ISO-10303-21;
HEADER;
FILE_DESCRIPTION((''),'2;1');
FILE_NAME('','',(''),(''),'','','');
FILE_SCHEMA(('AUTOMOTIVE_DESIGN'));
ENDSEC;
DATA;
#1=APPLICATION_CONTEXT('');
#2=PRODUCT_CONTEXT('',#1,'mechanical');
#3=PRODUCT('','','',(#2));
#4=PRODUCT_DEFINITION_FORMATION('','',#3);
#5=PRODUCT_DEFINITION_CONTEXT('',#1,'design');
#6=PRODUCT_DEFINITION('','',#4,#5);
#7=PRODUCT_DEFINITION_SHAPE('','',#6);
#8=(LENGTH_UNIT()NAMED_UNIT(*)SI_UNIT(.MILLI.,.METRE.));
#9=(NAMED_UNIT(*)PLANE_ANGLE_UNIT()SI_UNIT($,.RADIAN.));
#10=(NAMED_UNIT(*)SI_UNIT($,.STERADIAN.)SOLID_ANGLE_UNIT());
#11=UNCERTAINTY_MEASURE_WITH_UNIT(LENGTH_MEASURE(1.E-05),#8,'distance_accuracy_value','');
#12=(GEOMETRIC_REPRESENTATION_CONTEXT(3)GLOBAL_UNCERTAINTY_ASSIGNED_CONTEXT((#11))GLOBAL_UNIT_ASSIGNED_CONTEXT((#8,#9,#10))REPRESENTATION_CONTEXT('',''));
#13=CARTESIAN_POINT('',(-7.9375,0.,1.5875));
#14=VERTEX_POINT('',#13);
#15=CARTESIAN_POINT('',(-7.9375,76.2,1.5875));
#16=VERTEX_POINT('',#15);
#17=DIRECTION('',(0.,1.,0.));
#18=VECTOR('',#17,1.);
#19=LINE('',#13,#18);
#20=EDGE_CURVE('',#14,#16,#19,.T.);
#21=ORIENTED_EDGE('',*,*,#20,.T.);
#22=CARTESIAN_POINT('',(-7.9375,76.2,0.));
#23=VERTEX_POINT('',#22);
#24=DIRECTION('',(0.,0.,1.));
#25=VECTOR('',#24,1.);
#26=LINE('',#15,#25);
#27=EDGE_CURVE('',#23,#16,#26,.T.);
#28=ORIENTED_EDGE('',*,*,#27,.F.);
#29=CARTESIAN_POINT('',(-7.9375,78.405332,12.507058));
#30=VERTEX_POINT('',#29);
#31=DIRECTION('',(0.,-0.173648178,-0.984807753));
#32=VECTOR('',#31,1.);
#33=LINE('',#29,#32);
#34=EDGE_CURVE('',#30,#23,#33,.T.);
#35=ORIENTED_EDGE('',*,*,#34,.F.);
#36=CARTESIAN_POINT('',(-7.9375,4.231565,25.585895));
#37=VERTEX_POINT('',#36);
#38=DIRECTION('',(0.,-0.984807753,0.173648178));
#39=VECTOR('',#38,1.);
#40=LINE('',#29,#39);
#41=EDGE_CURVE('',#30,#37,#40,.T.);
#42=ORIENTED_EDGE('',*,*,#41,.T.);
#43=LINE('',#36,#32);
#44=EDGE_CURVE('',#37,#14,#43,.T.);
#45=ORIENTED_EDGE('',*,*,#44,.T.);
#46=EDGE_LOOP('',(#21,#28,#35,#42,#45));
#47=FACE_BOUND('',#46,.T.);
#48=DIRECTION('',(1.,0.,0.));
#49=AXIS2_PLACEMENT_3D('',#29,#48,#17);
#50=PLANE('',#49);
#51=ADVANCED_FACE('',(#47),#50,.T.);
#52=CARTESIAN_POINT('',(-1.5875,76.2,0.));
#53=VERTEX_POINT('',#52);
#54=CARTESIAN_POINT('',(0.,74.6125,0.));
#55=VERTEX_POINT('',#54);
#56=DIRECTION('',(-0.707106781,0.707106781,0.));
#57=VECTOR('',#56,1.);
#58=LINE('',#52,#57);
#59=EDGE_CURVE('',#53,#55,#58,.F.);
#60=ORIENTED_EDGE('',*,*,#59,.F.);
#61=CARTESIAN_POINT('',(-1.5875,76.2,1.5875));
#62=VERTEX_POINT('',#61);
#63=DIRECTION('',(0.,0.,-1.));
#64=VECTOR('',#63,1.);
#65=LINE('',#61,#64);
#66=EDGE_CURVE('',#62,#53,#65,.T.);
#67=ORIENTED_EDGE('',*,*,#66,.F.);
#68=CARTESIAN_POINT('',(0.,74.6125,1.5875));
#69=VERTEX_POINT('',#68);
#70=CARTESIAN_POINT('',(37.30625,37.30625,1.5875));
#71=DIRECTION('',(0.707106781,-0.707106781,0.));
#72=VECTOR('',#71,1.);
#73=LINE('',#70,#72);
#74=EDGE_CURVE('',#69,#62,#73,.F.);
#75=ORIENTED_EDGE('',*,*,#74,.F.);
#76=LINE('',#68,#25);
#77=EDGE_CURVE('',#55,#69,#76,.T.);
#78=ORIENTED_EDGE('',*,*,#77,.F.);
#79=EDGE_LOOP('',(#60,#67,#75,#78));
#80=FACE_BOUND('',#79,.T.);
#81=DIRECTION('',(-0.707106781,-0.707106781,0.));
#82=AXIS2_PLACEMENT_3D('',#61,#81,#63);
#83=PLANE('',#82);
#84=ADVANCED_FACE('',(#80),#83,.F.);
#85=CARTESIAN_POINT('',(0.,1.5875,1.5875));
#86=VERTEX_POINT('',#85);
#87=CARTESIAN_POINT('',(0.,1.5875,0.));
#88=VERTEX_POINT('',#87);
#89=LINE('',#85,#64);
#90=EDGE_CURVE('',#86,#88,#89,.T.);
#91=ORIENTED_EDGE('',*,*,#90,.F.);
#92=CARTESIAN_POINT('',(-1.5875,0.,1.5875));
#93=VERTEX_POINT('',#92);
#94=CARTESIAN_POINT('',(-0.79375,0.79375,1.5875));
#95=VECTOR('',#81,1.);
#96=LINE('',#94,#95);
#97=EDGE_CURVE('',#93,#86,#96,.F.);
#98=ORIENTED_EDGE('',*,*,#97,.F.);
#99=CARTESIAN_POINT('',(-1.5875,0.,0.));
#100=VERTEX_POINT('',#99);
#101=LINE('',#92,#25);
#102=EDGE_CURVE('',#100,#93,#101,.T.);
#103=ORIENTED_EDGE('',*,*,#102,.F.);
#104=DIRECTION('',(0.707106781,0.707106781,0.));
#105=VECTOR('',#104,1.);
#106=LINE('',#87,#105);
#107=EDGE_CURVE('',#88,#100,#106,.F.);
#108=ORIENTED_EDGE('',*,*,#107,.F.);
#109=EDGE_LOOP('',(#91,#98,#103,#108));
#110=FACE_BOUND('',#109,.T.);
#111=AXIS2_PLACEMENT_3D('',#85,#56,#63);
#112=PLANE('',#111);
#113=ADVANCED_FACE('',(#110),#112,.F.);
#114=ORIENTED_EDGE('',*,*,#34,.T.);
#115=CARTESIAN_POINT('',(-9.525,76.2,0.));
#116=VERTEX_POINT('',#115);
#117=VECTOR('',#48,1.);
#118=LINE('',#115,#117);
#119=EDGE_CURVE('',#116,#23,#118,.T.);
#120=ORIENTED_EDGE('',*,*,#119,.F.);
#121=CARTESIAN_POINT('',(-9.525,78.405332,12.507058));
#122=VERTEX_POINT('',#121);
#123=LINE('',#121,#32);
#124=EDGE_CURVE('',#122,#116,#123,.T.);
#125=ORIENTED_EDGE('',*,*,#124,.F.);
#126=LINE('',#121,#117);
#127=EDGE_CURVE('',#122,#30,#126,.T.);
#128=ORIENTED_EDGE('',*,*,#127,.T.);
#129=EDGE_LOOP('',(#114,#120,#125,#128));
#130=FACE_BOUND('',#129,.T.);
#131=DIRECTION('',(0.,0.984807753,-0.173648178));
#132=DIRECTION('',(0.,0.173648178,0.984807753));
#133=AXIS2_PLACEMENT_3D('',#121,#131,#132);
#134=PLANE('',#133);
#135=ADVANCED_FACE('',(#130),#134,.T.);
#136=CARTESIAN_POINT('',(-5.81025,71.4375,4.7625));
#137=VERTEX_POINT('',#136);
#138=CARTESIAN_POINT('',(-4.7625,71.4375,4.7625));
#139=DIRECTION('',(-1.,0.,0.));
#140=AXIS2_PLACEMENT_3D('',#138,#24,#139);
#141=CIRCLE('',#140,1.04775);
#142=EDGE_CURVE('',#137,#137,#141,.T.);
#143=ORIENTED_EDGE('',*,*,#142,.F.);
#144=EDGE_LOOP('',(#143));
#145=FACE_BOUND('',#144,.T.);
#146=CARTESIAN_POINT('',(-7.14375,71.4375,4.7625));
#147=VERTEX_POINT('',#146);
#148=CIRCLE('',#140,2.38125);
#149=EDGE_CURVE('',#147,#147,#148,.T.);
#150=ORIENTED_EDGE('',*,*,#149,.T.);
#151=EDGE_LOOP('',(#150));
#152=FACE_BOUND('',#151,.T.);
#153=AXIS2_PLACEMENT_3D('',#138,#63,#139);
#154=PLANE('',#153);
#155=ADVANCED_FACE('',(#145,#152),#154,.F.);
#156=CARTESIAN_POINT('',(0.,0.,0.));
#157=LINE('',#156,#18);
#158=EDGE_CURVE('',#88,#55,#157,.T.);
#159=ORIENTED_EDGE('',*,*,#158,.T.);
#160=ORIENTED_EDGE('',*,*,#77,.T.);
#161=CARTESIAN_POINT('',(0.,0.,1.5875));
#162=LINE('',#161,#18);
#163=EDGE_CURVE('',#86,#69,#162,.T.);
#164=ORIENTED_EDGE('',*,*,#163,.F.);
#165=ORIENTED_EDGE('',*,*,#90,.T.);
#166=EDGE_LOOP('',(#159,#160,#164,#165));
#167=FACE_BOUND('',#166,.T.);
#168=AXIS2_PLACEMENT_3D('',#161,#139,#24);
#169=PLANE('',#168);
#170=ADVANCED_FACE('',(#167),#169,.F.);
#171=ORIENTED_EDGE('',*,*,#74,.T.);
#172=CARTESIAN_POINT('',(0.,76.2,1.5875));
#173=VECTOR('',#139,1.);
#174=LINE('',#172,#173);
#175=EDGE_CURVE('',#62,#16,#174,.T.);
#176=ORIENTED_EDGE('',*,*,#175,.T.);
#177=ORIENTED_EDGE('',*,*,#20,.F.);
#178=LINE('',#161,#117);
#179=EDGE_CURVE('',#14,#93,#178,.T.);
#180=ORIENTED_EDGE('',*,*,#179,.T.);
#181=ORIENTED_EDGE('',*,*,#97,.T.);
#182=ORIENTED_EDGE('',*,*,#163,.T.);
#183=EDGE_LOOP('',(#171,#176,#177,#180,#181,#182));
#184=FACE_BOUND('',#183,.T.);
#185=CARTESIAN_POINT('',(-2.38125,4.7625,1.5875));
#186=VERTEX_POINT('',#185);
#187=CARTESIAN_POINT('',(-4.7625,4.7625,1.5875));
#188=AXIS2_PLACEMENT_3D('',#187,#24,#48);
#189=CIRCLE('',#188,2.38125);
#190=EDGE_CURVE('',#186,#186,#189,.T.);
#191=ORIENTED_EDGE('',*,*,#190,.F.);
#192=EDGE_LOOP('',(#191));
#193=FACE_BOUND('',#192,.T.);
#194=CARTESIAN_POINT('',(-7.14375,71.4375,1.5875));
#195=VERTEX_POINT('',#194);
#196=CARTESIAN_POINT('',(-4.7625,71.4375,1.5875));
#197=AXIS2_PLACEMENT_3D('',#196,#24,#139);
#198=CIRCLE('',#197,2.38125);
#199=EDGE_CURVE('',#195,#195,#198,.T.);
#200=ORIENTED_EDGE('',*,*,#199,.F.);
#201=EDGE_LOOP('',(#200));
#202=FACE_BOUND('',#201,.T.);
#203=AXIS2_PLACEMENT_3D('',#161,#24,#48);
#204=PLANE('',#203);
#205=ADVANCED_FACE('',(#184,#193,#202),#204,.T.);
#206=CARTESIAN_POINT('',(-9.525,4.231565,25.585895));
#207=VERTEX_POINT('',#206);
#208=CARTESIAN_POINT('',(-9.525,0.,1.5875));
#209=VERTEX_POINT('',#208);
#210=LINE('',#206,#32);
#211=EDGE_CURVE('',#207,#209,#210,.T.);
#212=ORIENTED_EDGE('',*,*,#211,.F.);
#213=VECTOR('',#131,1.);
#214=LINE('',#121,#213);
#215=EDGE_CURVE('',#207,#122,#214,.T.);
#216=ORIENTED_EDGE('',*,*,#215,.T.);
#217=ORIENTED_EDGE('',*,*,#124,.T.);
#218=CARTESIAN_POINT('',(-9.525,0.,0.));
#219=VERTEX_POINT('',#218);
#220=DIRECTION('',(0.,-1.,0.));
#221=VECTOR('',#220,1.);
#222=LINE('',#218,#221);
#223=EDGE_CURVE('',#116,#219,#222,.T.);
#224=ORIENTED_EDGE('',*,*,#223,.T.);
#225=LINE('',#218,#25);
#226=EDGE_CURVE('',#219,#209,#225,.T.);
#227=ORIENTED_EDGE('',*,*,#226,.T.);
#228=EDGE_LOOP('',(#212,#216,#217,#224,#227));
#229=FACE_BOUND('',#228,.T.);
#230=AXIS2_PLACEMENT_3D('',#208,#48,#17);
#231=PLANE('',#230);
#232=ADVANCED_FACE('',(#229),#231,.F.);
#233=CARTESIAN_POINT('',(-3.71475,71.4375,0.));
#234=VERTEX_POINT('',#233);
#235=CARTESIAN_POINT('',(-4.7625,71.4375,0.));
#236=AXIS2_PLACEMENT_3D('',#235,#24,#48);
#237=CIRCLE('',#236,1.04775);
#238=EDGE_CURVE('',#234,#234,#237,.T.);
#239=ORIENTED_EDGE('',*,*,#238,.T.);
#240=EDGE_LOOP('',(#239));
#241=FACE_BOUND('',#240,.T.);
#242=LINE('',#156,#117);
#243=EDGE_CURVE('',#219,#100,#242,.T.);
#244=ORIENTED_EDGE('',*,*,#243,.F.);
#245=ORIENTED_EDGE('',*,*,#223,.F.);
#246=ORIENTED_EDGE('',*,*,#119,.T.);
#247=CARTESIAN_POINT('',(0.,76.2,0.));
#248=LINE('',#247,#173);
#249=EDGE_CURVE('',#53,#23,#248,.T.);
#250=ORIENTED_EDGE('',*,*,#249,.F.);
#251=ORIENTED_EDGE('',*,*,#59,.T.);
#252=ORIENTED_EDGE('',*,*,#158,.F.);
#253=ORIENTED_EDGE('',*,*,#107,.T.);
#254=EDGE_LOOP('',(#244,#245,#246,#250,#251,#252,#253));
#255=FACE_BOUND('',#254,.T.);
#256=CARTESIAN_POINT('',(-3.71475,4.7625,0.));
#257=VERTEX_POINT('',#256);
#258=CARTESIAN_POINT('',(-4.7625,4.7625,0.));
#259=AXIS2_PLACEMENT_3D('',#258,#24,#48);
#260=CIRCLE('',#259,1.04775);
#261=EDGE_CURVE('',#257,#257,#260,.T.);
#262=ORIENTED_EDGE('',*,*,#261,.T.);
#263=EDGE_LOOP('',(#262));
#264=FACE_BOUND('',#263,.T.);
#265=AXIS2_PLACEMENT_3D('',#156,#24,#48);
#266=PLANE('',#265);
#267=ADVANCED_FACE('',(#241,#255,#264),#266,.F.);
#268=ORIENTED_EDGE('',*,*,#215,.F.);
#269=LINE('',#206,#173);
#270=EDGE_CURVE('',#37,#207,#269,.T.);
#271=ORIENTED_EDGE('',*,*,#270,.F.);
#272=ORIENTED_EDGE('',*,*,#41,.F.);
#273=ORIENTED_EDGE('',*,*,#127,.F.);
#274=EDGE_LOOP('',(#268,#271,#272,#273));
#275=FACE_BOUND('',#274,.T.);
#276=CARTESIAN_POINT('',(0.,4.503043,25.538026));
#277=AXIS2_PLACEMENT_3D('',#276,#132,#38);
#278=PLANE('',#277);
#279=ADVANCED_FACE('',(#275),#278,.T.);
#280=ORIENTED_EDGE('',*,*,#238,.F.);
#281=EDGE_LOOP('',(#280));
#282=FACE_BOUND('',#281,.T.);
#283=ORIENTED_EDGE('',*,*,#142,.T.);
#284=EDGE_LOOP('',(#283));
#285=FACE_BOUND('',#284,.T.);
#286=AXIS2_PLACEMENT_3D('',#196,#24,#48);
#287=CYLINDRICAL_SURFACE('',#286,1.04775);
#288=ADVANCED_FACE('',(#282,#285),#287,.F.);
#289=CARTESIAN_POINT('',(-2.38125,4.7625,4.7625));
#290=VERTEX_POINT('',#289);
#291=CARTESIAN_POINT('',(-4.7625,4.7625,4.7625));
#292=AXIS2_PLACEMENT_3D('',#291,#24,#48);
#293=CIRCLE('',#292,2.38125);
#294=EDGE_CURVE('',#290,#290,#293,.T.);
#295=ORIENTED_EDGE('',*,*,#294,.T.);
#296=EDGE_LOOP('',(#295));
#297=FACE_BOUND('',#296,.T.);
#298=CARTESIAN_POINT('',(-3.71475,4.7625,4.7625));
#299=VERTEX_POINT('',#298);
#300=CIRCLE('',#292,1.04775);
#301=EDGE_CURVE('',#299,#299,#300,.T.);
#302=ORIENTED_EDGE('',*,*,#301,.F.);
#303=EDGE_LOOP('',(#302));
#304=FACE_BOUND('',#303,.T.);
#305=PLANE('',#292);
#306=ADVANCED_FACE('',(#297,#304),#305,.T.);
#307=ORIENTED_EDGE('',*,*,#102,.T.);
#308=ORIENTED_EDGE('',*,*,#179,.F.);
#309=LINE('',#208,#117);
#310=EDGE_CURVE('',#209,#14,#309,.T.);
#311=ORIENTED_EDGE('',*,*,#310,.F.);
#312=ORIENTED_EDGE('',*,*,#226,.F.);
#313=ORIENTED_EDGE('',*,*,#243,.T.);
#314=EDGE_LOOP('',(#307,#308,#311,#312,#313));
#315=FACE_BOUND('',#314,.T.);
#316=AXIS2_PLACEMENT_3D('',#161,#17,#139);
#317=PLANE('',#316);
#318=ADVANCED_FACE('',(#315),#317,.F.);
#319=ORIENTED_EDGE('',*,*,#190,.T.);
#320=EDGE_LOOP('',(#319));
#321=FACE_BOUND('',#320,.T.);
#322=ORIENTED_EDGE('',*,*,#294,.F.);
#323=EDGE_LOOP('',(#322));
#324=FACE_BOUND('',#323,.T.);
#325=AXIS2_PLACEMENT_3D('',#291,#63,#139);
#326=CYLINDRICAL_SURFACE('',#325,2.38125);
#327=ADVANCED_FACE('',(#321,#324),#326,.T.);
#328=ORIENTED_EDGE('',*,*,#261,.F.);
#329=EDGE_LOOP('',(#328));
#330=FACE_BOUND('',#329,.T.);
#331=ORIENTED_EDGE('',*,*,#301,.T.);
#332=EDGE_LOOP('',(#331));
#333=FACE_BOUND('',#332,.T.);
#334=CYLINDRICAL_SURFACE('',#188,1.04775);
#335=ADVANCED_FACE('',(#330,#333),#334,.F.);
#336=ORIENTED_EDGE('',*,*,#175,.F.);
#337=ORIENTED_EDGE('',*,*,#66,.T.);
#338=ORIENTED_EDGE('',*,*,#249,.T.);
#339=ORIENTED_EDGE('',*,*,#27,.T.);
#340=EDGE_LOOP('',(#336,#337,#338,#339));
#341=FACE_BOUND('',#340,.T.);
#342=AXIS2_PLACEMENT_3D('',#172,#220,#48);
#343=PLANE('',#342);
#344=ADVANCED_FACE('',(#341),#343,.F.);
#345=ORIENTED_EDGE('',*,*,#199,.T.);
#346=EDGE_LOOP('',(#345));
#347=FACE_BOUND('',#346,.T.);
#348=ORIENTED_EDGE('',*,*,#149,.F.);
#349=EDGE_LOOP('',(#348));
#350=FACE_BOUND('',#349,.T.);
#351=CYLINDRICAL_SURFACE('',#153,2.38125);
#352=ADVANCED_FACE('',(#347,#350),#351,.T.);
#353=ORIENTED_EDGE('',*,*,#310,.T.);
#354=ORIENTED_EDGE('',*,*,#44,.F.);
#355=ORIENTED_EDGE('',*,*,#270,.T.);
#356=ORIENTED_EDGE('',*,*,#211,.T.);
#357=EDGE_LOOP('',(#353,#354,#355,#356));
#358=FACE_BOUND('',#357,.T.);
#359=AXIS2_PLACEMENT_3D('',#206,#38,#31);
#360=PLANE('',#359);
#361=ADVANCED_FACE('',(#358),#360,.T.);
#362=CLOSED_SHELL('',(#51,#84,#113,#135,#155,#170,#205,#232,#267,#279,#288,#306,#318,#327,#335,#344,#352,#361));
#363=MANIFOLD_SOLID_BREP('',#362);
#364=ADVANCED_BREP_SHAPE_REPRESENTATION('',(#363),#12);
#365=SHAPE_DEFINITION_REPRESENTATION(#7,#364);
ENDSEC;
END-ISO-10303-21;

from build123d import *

# Parameters (mm, degrees)
SKETCH1_W                       = 9.525
SKETCH1_H                       = 76.2
BOSS_EXTRUDE1_DEPTH             = 1.5875
CHAMFER2_SIZE                   = 1.5875
F_97_0_0825_DIAMETER_HOLE1_D    = 2.0955
SKETCH5_R                       = 2.38125
SKETCH5_R_2                     = 1.04775
BOSS_EXTRUDE2_DEPTH             = 3.175
BOSS_EXTRUDE4_REACH             = 77.644
SKETCH7_W                       = 1.5875
SKETCH7_H                       = 75.318017262
BOSS_EXTRUDE4_DIRECTION_2_DEPTH = 12.7
CUT_EXTRUDE1_DEPTH              = 83.855524788


with BuildPart() as part:
    # Sketch1 → Boss-Extrude1 (new body)
    with BuildSketch(Plane.XY):
        with Locations((-4.7625, 38.1)):
            Rectangle(SKETCH1_W, SKETCH1_H)
    extrude(amount=BOSS_EXTRUDE1_DEPTH)

    # Chamfer2
    chamfer2_edges = [part.edges().sort_by_distance(p)[0] for p in [
        (0, 76.2, 0.79375),
        (-9.525, 76.2, 0.79375),
        (0, 0, 0.79375),
        (-9.525, 0, 0.79375),
    ]]
    chamfer(chamfer2_edges, length=CHAMFER2_SIZE)

    # #97 (0.0825) Diameter Hole1 (through all)
    with Locations(Plane.XY.offset(1.5875)):
        with Locations((-4.7625, 4.7625), (-4.7625, 71.4375)):
            Hole(F_97_0_0825_DIAMETER_HOLE1_D / 2)

    # Sketch5 → Boss-Extrude2 (add)
    # profile 1 of 2: a face of its own
    with BuildSketch(Plane.XY.offset(1.5875)):
        with Locations((-4.7625, 4.7625)):
            Circle(SKETCH5_R)
        with Locations((-4.7625, 4.7625)):
            Circle(SKETCH5_R_2, mode=Mode.SUBTRACT)
    # profile 2 of 2: a face of its own
    with BuildSketch(Plane.XY.offset(1.5875)):
        with Locations((-4.7625, 71.4375)):
            Circle(SKETCH5_R)
        with Locations((-4.7625, 71.4375)):
            Circle(SKETCH5_R_2, mode=Mode.SUBTRACT)
    extrude(amount=BOSS_EXTRUDE2_DEPTH)

    # Boss-Extrude4: up to this face of the body (flat: up to its plane)
    boss_extrude4_end = Plane(part.part.faces().sort_by_distance((-4.7625, 38.1, 0))[0])
    # Sketch7 → Boss-Extrude4 (add, up to the picked face)
    with BuildSketch(Plane(origin=(0, 2.297711148, 13.030967461), x_dir=(-1, 0, 0), z_dir=(0, -0.1736481776669307, -0.984807753012208)), mode=Mode.PRIVATE) as boss_extrude4_sk1:
        with Locations((8.73125, 37.383342149)):
            Rectangle(SKETCH7_W, SKETCH7_H)
    boss_extrude4_tool1 = split(extrude(boss_extrude4_sk1.sketch, amount=BOSS_EXTRUDE4_REACH, mode=Mode.PRIVATE), bisect_by=boss_extrude4_end, keep=Keep.BOTH, mode=Mode.PRIVATE)
    add(boss_extrude4_tool1.solids().sort_by(Axis((-8.73125, 39.113116, 6.539418), (0, -0.1736481776669307, -0.984807753012208)))[0])

    # Sketch7 → Boss-Extrude4 direction 2 (add)
    with BuildSketch(Plane(origin=(0, 2.297711148, 13.030967461), x_dir=(-1, 0, 0), z_dir=(0, -0.1736481776669307, -0.984807753012208))):
        with Locations((8.73125, 37.383342149)):
            Rectangle(SKETCH7_W, SKETCH7_H)
    extrude(amount=-BOSS_EXTRUDE4_DIRECTION_2_DEPTH)

    # Sketch9 → Cut-Extrude1 (cut, through all)
    with BuildSketch(Plane(origin=(-7.9375, 0, 0), x_dir=(0, 0, -1), z_dir=(1, 0, 0))):
        Polygon((0, 0), (-1.5875, 0), (0, -0.279919082), align=None)
    extrude(amount=-CUT_EXTRUDE1_DEPTH, mode=Mode.SUBTRACT)


solid = part.part
